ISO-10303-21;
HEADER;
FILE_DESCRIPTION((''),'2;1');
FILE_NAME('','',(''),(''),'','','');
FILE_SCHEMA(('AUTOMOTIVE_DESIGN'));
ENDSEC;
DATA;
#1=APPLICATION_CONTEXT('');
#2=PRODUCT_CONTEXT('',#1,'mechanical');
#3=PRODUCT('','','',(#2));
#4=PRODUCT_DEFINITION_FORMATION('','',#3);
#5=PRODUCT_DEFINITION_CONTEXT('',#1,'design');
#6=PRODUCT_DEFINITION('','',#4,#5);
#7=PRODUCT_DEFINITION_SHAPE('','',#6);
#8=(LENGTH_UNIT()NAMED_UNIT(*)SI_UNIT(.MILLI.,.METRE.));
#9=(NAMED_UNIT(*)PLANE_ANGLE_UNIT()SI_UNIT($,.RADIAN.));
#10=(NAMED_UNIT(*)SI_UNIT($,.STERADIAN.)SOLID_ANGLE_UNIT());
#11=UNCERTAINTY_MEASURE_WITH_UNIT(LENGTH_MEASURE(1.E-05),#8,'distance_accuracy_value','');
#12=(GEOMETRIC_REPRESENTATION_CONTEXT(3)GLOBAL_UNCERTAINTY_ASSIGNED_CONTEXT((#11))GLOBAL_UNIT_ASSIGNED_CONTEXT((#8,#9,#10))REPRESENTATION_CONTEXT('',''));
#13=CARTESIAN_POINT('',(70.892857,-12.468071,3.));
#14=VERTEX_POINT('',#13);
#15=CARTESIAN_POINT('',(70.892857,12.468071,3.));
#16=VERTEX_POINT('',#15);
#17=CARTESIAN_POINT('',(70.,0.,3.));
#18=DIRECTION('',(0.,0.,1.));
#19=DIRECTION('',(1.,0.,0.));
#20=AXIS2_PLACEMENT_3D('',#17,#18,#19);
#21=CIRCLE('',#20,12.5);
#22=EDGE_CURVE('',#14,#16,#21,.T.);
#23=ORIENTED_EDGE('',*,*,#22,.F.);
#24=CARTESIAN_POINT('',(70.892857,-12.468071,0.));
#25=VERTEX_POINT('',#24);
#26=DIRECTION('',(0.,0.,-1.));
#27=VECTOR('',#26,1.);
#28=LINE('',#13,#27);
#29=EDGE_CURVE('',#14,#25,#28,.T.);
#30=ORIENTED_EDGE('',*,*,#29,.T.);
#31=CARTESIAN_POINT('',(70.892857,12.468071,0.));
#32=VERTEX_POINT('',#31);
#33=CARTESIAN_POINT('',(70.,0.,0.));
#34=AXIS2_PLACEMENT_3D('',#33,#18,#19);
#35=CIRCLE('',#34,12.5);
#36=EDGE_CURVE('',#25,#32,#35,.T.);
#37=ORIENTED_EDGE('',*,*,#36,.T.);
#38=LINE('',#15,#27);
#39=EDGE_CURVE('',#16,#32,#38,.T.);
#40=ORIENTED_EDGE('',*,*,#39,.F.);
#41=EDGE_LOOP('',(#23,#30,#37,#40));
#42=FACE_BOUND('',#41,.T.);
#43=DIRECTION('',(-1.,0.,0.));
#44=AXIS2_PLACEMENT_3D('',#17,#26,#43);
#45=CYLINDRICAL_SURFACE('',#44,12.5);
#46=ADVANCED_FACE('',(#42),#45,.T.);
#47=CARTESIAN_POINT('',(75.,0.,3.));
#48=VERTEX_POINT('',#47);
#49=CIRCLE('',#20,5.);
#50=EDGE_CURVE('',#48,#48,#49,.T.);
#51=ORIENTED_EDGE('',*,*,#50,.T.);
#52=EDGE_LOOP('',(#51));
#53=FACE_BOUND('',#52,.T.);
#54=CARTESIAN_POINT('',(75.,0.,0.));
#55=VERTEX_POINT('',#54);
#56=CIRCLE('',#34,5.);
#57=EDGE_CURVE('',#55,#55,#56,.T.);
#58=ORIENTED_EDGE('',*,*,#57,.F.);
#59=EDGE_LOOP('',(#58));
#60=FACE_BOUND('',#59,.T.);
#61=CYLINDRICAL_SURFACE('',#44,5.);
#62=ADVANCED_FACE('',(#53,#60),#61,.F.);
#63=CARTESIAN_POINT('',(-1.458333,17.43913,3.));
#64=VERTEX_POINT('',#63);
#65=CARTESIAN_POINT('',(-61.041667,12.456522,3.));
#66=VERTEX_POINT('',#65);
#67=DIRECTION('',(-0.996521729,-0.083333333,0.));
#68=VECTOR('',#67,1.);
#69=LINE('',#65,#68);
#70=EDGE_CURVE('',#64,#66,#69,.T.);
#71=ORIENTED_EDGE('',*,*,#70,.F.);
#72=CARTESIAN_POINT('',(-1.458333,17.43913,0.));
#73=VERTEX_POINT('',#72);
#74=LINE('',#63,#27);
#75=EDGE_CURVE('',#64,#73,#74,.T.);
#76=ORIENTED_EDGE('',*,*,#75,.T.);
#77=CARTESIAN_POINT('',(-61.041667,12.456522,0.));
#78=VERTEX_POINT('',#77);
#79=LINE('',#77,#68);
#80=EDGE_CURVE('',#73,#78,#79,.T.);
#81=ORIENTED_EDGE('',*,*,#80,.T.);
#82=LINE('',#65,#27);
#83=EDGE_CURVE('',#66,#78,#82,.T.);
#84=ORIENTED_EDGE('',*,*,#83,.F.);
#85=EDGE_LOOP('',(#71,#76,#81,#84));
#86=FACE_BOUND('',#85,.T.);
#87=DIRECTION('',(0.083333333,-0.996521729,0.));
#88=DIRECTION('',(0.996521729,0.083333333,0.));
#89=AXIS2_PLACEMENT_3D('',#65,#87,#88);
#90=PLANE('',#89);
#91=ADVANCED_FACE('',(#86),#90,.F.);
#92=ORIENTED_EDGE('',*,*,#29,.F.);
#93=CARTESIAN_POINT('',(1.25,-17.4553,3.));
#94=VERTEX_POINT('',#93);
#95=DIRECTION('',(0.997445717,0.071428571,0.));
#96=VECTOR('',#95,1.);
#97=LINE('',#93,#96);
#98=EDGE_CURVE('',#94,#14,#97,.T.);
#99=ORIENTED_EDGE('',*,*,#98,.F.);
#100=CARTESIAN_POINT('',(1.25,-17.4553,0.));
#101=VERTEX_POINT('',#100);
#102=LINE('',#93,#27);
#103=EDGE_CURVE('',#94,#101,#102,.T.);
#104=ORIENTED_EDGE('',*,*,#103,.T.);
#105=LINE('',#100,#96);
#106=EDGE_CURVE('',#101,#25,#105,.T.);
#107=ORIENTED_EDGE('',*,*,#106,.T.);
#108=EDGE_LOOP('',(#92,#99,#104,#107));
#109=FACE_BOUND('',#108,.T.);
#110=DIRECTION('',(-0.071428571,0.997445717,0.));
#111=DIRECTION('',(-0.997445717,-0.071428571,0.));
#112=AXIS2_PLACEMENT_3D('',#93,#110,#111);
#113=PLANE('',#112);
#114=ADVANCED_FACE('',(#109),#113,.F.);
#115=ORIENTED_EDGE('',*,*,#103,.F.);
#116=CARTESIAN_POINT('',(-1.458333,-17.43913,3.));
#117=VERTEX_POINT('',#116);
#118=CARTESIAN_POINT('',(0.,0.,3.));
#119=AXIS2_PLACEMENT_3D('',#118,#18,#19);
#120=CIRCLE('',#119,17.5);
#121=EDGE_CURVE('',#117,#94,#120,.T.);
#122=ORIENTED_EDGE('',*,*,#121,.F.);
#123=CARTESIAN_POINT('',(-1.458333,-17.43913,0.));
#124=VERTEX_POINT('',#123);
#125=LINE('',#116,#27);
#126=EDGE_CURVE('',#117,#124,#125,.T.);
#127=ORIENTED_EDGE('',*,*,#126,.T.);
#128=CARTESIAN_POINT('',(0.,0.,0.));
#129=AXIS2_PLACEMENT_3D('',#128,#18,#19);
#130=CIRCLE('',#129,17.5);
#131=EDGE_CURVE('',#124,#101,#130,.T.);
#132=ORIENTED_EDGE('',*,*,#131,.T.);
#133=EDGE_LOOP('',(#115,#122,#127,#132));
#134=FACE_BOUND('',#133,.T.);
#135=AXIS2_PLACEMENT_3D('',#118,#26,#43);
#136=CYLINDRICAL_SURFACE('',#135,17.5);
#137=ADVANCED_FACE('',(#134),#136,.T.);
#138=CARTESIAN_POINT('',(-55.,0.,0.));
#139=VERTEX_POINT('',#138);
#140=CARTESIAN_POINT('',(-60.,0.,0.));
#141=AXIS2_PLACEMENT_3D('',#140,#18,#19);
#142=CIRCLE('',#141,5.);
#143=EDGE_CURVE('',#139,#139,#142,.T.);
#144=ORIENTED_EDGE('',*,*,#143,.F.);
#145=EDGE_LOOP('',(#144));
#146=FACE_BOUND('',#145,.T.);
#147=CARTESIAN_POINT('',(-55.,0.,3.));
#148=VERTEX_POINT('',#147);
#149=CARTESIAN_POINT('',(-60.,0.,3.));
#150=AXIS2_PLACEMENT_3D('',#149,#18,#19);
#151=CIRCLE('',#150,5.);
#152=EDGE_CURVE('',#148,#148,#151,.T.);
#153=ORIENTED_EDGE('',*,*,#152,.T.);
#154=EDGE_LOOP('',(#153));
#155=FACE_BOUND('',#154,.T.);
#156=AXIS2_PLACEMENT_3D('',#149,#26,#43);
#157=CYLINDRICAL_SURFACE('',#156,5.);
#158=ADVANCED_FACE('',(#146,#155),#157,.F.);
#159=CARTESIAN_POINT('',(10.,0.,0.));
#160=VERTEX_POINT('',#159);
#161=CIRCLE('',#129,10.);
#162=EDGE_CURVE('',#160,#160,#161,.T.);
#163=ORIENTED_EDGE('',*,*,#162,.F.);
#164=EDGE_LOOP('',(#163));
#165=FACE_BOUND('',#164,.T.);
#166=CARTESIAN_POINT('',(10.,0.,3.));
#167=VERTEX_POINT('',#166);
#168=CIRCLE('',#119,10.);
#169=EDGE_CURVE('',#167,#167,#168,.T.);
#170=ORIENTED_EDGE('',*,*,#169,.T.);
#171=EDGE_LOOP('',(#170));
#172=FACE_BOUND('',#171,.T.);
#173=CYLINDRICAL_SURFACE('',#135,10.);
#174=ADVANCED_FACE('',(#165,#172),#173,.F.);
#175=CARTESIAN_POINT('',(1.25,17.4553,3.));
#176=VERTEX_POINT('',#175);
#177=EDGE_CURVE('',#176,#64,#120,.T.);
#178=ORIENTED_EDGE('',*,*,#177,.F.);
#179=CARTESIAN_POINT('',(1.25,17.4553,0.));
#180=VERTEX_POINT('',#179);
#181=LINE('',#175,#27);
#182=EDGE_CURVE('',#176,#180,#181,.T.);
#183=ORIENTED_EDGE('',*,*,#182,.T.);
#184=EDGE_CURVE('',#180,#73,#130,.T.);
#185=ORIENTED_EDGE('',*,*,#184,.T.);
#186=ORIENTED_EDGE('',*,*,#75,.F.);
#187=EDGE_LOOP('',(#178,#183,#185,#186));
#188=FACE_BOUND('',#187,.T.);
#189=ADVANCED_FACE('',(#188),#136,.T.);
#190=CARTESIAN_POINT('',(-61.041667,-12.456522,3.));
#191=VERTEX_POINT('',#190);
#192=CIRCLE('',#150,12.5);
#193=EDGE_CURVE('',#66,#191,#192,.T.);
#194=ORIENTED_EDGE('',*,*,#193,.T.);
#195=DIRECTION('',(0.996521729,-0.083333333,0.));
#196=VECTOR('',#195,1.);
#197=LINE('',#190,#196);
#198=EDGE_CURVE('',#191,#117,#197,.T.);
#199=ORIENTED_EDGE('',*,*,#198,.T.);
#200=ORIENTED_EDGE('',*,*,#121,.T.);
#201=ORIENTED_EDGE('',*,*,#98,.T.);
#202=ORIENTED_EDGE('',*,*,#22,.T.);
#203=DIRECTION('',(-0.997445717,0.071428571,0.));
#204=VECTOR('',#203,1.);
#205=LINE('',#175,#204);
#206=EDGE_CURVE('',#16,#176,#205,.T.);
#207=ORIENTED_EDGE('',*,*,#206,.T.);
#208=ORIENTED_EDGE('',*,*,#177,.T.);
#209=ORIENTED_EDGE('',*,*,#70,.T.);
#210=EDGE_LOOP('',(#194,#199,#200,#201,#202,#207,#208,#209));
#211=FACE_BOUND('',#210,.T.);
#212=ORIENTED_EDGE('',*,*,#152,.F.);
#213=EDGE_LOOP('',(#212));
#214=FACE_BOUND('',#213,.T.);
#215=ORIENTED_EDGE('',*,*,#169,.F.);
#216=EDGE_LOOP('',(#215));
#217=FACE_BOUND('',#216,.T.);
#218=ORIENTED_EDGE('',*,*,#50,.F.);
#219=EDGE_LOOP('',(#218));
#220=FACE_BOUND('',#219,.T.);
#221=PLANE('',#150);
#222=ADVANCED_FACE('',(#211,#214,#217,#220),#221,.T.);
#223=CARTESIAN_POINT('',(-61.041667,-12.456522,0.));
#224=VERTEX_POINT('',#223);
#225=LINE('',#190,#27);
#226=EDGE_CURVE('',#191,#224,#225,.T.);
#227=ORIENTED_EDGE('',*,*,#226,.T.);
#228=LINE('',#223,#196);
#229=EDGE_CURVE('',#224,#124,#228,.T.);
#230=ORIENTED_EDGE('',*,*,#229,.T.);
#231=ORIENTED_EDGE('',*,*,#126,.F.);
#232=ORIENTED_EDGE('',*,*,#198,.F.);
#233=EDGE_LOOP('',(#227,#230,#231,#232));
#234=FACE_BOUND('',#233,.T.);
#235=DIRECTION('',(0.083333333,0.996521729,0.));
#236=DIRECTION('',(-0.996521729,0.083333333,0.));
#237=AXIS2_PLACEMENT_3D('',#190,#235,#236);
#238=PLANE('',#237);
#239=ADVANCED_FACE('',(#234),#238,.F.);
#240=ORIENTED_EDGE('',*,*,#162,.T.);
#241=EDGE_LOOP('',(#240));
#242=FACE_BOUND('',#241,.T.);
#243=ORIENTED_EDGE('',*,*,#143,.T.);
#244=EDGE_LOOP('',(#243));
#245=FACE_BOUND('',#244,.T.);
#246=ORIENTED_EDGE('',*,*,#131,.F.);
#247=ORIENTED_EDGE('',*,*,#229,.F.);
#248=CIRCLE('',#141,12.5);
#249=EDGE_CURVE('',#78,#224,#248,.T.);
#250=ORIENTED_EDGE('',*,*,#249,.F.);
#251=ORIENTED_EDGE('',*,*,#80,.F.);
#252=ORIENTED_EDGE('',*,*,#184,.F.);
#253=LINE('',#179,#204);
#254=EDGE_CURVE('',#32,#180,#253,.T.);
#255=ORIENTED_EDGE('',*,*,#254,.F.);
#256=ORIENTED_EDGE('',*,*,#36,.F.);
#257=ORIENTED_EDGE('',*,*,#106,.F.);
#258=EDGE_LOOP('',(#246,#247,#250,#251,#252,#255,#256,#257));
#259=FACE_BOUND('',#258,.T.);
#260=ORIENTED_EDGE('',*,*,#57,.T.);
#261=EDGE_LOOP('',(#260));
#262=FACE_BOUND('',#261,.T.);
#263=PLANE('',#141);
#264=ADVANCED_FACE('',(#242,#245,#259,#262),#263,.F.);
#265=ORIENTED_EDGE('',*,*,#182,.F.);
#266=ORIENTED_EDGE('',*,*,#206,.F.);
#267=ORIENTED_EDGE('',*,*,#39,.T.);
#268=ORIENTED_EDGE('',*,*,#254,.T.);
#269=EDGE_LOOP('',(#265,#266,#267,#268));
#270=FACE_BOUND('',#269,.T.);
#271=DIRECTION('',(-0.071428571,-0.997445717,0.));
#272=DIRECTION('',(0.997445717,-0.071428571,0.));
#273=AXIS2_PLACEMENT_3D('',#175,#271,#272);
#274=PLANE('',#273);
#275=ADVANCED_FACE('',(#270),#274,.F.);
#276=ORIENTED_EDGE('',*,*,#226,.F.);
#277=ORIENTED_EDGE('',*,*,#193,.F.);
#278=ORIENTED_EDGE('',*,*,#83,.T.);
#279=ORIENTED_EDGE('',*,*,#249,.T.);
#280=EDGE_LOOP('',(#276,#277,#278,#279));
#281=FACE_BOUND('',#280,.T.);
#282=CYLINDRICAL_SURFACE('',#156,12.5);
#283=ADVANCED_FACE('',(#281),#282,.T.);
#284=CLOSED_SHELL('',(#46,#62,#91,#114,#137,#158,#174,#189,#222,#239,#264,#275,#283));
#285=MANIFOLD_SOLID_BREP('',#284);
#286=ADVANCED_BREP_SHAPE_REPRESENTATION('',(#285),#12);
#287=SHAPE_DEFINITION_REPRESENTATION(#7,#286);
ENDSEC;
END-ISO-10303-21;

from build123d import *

# Parameters (mm, degrees)
SCHIZZO1_R                   = 5
SCHIZZO1_R_2                 = 10
ESTRUSIONE_ESTRUSIONE1_DEPTH = 3


with BuildPart() as part:
    # Schizzo1 → Estrusione-Estrusione1 (new body)
    with BuildSketch(Plane.XY):
        with BuildLine():
            Line((-61.041666667, 12.456521607), (-1.458333333, 17.43913025))
            ThreePointArc((-1.458333333, 17.43913025), (-0.104479951, 17.49968811), (1.25, 17.455300055))
            Line((1.25, 17.455300055), (70.892857143, 12.468071468))
            ThreePointArc((70.892857143, 12.468071468), (82.5, 0), (70.892857143, -12.468071468))
            Line((70.892857143, -12.468071468), (1.25, -17.455300055))
            ThreePointArc((1.25, -17.455300055), (-0.104479951, -17.49968811), (-1.458333333, -17.43913025))
            Line((-1.458333333, -17.43913025), (-61.041666667, -12.456521607))
            ThreePointArc((-61.041666667, -12.456521607), (-72.5, 0), (-61.041666667, 12.456521607))
        make_face()
        with Locations((-60, 0)):
            Circle(SCHIZZO1_R, mode=Mode.SUBTRACT)
        Circle(SCHIZZO1_R_2, mode=Mode.SUBTRACT)
        with Locations((70, 0)):
            Circle(SCHIZZO1_R, mode=Mode.SUBTRACT)
    extrude(amount=ESTRUSIONE_ESTRUSIONE1_DEPTH)


solid = part.part
